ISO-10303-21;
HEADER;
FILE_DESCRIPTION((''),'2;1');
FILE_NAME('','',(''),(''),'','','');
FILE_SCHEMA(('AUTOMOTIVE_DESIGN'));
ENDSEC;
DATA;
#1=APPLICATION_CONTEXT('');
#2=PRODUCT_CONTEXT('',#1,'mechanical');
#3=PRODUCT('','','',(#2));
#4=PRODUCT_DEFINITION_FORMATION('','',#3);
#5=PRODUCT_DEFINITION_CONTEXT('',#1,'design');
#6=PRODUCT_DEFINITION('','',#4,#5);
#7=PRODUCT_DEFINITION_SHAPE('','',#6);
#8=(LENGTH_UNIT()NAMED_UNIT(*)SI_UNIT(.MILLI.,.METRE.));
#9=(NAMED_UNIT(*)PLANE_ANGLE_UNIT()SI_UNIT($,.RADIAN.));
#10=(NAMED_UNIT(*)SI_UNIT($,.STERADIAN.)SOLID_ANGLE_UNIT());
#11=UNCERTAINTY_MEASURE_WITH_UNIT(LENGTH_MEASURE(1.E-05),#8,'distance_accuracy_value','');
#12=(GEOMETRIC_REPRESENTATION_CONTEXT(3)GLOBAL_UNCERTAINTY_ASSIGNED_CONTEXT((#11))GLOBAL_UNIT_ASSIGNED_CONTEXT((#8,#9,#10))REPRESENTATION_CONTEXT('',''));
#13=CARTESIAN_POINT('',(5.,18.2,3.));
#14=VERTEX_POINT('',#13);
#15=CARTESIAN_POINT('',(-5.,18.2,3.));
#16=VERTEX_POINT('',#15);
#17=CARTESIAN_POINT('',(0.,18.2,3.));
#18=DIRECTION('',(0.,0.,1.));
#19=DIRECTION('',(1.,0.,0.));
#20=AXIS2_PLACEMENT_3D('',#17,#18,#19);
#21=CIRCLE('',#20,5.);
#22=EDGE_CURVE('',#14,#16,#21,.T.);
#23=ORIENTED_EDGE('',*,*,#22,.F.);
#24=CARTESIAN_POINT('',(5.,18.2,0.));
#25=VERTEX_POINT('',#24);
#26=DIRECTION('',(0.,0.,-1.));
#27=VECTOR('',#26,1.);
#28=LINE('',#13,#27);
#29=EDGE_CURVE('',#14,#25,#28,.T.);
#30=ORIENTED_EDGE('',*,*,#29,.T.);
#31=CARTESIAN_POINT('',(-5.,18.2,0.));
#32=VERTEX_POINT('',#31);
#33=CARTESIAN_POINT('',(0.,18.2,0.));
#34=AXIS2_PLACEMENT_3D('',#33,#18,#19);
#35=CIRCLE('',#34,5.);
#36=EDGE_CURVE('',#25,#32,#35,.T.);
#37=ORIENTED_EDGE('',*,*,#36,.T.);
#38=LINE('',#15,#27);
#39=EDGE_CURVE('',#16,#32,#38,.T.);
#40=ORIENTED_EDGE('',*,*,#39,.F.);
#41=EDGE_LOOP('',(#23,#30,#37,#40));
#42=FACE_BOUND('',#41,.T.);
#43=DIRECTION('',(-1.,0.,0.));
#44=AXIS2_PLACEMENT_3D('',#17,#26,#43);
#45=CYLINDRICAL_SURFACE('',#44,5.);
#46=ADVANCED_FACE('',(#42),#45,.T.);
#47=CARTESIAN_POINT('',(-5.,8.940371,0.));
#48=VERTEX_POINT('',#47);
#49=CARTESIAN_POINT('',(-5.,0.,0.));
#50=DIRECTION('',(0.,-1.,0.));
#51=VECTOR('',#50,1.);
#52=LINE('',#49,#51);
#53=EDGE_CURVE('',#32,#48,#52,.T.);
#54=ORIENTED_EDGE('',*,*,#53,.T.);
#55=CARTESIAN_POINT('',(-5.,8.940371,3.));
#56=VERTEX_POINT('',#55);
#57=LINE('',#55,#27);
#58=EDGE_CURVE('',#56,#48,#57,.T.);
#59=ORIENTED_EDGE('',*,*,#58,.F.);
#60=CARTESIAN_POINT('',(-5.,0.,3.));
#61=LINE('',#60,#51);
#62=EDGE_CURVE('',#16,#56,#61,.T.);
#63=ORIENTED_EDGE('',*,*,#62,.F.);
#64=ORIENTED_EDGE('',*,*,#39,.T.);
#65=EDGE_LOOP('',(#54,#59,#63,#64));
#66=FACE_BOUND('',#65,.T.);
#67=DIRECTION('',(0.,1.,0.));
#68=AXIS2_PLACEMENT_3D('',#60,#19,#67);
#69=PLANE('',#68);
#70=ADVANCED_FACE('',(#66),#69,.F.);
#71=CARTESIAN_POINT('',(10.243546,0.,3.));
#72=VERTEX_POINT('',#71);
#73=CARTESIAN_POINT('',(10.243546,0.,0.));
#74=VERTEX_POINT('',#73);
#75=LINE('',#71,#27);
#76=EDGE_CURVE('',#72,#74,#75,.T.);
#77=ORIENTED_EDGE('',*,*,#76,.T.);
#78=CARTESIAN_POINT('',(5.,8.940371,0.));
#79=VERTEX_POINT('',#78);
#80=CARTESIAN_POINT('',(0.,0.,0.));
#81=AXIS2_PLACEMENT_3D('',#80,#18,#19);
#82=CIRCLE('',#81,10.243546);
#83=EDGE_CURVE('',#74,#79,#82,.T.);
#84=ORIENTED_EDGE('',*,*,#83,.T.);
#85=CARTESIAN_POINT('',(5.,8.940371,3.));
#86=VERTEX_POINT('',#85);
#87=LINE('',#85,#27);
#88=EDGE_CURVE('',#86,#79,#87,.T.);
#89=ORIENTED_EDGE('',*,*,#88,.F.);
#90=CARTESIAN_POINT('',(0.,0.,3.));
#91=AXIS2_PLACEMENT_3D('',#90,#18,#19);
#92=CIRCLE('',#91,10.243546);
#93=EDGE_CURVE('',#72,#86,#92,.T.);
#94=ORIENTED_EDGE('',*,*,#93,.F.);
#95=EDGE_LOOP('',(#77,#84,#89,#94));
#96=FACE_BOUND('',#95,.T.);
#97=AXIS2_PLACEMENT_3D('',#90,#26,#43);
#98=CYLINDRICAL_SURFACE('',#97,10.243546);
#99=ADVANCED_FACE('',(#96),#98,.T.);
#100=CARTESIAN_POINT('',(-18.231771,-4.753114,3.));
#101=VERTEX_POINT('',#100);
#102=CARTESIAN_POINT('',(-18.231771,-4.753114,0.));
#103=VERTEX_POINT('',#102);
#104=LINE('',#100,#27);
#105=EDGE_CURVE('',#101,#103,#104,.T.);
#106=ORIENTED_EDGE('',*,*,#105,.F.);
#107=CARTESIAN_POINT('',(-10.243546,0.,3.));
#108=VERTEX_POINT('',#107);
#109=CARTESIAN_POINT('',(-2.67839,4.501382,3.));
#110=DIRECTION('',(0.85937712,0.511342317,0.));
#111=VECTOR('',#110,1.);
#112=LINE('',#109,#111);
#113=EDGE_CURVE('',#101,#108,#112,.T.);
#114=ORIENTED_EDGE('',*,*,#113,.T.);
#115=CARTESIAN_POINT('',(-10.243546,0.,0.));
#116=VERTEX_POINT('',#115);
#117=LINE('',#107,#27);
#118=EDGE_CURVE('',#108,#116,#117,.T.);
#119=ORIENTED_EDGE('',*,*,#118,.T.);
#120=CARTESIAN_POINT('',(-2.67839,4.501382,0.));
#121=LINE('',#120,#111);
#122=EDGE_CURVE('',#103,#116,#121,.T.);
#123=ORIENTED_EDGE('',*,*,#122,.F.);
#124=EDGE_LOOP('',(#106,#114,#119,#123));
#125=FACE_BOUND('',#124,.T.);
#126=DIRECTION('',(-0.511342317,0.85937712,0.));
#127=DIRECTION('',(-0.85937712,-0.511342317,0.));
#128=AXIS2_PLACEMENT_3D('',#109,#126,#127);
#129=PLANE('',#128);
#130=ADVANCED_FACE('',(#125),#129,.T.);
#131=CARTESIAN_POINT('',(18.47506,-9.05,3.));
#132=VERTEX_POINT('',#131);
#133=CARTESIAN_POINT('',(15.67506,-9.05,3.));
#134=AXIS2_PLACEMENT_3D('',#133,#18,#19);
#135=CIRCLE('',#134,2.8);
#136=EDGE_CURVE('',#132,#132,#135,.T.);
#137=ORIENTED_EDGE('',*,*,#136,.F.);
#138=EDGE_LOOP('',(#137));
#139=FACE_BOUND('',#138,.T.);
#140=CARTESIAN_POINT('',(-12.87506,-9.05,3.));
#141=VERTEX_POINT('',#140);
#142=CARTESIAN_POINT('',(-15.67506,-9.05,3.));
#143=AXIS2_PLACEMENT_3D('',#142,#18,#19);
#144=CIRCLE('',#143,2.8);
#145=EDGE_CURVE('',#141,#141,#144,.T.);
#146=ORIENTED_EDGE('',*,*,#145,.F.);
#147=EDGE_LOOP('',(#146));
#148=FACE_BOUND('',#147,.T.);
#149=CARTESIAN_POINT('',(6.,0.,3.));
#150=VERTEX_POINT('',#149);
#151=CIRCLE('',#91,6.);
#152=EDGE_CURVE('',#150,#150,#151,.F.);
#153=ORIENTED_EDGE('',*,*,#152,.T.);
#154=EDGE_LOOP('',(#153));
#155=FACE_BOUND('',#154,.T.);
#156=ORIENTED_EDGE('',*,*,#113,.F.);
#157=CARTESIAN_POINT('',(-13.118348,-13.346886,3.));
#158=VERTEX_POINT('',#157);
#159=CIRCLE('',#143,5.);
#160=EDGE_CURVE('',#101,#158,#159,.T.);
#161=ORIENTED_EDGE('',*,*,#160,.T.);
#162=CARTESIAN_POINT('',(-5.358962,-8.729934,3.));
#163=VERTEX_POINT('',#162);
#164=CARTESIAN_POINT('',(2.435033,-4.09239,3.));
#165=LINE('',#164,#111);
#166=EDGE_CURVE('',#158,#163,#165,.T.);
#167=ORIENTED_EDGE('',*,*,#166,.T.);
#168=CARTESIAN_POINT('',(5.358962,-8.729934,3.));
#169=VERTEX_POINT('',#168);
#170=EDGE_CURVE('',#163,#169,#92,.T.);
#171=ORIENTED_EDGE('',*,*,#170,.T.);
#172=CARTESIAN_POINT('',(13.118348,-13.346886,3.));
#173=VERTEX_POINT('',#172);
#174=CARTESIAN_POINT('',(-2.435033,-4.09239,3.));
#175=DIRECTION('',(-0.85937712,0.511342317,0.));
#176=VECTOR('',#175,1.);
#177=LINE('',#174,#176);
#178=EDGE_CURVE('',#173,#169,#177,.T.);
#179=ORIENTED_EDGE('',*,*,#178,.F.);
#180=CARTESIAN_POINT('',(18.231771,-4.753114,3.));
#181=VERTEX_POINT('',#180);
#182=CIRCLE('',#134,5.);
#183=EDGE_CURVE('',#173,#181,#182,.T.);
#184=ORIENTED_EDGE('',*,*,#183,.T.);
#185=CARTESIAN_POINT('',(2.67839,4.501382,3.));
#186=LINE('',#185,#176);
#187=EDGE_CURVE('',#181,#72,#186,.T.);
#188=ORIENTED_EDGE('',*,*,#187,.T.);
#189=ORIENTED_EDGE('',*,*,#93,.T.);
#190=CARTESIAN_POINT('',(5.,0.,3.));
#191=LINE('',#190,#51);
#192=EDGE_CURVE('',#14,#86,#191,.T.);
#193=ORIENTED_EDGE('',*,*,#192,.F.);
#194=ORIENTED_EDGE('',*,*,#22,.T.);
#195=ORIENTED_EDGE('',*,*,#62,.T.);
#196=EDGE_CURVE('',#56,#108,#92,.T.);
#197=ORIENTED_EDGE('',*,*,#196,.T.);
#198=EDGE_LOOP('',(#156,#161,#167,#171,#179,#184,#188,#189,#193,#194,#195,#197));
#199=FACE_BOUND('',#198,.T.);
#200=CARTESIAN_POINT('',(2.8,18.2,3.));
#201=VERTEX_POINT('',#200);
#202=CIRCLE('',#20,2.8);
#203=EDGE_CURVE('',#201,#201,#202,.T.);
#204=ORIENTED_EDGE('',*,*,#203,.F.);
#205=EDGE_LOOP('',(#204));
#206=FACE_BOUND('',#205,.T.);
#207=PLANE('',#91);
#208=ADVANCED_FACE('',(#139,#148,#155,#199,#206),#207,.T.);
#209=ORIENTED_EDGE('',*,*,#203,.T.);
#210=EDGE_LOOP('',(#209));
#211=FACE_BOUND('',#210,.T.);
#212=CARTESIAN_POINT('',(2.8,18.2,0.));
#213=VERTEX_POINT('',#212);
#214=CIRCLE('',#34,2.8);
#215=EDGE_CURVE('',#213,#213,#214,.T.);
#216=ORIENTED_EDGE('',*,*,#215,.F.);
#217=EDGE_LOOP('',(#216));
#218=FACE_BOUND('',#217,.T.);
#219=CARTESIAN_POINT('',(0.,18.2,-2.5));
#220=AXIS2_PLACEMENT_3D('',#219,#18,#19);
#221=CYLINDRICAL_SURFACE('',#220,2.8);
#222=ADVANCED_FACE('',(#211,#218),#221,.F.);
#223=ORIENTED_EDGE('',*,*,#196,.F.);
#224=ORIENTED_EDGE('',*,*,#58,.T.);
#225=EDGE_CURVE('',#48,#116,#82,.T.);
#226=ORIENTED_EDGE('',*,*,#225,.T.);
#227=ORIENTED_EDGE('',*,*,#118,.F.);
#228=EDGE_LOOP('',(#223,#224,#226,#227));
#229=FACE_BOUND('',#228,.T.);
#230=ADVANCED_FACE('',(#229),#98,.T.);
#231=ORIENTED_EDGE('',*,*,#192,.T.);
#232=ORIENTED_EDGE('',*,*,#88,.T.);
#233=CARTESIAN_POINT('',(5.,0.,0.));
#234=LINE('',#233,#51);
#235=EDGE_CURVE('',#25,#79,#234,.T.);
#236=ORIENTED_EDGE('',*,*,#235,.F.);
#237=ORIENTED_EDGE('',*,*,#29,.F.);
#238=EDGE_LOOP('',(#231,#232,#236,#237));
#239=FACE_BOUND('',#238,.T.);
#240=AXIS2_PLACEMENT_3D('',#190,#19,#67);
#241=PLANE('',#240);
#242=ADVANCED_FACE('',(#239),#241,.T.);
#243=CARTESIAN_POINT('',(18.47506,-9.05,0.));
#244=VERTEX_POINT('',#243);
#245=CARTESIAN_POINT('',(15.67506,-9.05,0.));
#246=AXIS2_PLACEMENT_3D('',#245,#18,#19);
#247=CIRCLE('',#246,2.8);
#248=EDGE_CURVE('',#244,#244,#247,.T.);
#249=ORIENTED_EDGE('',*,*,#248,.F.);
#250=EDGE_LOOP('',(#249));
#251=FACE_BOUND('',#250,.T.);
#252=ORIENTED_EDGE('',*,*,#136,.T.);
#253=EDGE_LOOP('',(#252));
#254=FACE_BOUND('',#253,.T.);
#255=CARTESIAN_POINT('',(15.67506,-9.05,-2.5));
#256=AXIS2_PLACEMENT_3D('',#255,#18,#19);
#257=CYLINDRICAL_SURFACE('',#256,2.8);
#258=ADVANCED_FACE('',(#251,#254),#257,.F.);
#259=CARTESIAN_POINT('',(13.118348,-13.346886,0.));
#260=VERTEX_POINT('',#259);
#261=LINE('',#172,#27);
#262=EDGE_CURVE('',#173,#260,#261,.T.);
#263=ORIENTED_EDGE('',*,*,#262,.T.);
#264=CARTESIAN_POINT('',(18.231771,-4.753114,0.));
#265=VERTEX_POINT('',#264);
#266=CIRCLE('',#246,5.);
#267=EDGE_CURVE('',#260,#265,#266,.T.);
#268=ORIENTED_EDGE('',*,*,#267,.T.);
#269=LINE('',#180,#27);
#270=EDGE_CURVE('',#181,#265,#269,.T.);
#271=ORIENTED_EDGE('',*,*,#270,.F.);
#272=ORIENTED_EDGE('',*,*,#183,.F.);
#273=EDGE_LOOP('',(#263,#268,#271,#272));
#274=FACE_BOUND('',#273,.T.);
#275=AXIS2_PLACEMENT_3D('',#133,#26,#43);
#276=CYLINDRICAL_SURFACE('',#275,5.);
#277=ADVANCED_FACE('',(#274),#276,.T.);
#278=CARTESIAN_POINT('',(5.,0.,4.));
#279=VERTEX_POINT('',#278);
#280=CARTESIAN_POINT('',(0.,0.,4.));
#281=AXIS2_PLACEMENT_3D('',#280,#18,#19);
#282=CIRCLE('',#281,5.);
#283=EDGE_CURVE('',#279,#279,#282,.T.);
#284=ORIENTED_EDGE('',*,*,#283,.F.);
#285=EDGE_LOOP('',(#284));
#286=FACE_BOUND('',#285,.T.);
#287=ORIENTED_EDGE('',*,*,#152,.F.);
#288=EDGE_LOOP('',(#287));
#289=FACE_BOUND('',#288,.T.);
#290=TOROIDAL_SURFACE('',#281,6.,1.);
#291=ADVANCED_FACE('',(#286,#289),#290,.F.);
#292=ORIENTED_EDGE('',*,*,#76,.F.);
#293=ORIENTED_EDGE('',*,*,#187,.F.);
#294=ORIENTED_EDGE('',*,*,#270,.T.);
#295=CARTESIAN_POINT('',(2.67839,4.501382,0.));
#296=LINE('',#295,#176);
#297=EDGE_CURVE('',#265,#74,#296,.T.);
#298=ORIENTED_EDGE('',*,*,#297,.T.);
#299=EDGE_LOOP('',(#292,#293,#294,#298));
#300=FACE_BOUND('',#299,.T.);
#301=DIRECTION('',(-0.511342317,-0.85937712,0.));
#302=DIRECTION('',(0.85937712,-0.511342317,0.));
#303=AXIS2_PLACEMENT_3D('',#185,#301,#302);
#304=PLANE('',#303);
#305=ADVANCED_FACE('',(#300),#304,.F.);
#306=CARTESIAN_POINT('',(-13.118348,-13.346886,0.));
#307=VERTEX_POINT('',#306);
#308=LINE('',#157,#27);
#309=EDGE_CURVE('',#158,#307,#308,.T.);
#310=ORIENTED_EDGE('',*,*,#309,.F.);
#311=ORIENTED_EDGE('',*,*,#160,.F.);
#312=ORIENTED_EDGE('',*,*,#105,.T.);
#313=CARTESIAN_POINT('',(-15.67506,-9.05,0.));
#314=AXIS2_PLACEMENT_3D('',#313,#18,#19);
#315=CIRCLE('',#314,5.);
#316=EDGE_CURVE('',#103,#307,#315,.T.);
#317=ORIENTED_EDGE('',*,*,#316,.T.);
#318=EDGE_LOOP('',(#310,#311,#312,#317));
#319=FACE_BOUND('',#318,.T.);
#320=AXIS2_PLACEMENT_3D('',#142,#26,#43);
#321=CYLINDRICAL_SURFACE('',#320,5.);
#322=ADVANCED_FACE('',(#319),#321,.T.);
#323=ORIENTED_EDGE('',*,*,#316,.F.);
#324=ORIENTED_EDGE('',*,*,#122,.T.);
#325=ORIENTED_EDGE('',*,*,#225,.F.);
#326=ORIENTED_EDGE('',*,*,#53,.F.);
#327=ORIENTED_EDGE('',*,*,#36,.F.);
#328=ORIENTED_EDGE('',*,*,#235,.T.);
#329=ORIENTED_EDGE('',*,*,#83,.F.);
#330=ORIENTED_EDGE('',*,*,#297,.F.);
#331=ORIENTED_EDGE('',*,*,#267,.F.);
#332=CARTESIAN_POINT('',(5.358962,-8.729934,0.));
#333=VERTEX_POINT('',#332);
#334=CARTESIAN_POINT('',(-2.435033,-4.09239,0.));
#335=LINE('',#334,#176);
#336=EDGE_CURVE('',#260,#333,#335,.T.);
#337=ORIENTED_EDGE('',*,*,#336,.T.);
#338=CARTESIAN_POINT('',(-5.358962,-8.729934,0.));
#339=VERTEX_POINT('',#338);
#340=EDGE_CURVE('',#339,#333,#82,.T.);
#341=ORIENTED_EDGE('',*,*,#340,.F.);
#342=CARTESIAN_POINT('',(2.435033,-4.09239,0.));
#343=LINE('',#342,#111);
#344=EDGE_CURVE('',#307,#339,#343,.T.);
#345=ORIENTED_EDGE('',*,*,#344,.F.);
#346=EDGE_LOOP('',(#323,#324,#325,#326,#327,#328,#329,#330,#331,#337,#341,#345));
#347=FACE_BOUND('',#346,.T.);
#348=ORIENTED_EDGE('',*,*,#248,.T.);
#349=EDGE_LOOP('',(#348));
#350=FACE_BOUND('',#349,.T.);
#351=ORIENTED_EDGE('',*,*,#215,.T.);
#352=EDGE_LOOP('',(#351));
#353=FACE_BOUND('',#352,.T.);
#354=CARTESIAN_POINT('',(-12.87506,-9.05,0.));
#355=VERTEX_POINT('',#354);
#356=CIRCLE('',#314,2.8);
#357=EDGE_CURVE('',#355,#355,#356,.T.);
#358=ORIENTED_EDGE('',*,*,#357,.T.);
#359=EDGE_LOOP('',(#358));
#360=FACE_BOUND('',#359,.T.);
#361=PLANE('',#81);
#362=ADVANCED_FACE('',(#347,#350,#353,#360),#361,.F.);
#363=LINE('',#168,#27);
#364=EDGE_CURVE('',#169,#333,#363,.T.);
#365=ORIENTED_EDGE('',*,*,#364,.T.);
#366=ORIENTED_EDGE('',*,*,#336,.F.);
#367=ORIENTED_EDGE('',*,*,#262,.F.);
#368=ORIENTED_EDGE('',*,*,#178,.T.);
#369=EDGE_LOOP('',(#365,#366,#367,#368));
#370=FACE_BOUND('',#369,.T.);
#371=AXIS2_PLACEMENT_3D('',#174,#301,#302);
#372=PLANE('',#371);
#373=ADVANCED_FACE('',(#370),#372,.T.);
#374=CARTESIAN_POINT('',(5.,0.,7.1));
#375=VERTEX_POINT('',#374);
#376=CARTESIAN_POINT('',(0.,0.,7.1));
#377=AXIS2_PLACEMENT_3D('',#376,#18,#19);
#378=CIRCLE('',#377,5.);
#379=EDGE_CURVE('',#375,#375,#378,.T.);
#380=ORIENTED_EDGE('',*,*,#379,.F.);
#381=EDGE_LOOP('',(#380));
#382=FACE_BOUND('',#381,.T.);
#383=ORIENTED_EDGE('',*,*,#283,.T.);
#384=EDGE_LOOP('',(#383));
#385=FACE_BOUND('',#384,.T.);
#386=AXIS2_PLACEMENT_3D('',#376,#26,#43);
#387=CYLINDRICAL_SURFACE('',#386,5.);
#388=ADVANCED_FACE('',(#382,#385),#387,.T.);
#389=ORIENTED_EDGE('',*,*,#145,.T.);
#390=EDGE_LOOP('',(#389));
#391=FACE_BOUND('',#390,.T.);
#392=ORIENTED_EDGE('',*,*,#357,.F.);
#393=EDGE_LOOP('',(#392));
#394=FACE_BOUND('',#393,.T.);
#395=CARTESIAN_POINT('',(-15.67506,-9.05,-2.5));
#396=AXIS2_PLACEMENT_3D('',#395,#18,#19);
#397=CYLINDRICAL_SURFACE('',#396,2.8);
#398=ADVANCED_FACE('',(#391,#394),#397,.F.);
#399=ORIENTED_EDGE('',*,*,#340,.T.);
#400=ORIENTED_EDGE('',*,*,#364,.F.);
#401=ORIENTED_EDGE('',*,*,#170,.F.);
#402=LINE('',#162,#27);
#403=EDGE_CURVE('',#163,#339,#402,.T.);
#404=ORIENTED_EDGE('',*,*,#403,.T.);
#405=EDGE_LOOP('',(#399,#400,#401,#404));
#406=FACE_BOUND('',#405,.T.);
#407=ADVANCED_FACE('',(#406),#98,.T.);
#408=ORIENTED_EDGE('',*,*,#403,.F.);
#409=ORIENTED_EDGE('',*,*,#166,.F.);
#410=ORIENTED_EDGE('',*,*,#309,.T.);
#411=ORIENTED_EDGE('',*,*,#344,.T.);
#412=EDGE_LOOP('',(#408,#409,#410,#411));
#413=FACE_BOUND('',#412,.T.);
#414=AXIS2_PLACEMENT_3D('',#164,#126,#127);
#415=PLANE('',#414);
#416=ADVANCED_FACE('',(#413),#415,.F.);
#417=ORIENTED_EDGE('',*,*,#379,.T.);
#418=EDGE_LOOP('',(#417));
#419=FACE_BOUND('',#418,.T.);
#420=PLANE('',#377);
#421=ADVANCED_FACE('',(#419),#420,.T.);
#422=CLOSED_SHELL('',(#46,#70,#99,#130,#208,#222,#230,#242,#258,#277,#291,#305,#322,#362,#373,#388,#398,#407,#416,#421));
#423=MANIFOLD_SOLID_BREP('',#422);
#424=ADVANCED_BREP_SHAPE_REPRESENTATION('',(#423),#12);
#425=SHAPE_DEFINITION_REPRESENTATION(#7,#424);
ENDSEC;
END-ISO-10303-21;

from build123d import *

# Parameters (mm, degrees)
SALIENTE_EXTRUIR1_DEPTH = 3
CROQUIS2_R              = 2.8
CORTAR_EXTRUIR3_DEPTH   = 5.5
CROQUIS3_R              = 5
SALIENTE_EXTRUIR2_DEPTH = 4.1
REDONDEO1_R             = 1


with BuildPart() as part:
    # Croquis1 → Saliente-Extruir1 (new body)
    with BuildSketch(Plane.XY):
        with BuildLine():
            Line((-13.118348224, -13.346885602), (-5.358962429, -8.729934305))
            ThreePointArc((-5.358962429, -8.729934305), (0, -10.243545836), (5.358962429, -8.729934305))
            Line((5.358962429, -8.729934305), (13.118348224, -13.346885602))
            ThreePointArc((13.118348224, -13.346885602), (19.97194541, -11.606711584), (18.231771393, -4.753114398))
            Line((18.231771393, -4.753114398), (10.243545836, 0))
            ThreePointArc((10.243545836, 0), (8.83594818, 5.182301714), (5, 8.94037087))
            Line((5, 8.94037087), (5, 18.2))
            ThreePointArc((5, 18.2), (0, 23.2), (-5, 18.2))
            Line((-5, 18.2), (-5, 8.94037087))
            ThreePointArc((-5, 8.94037087), (-8.83594818, 5.182301714), (-10.243545836, 0))
            Line((-10.243545836, 0), (-18.231771393, -4.753114398))
            ThreePointArc((-18.231771393, -4.753114398), (-19.97194541, -11.606711584), (-13.118348224, -13.346885602))
        make_face()
    extrude(amount=SALIENTE_EXTRUIR1_DEPTH)

    # Croquis2 → Cortar-Extruir3 (cut)
    with BuildSketch(Plane.XY.offset(3)):
        with Locations((0, 18.2)):
            Circle(CROQUIS2_R)
        with Locations((15.675059808, -9.05)):
            Circle(CROQUIS2_R)
        with Locations((-15.675059808, -9.05)):
            Circle(CROQUIS2_R)
    extrude(amount=-CORTAR_EXTRUIR3_DEPTH, mode=Mode.SUBTRACT)

    # Croquis3 → Saliente-Extruir2 (add)
    with BuildSketch(Plane.XY.offset(3)):
        Circle(CROQUIS3_R)
    extrude(amount=SALIENTE_EXTRUIR2_DEPTH)

    # Redondeo1
    redondeo1_edges = [part.edges().sort_by_distance(p)[0] for p in [
        (-5, 0, 3),
    ]]
    fillet(redondeo1_edges, radius=REDONDEO1_R)


solid = part.part
